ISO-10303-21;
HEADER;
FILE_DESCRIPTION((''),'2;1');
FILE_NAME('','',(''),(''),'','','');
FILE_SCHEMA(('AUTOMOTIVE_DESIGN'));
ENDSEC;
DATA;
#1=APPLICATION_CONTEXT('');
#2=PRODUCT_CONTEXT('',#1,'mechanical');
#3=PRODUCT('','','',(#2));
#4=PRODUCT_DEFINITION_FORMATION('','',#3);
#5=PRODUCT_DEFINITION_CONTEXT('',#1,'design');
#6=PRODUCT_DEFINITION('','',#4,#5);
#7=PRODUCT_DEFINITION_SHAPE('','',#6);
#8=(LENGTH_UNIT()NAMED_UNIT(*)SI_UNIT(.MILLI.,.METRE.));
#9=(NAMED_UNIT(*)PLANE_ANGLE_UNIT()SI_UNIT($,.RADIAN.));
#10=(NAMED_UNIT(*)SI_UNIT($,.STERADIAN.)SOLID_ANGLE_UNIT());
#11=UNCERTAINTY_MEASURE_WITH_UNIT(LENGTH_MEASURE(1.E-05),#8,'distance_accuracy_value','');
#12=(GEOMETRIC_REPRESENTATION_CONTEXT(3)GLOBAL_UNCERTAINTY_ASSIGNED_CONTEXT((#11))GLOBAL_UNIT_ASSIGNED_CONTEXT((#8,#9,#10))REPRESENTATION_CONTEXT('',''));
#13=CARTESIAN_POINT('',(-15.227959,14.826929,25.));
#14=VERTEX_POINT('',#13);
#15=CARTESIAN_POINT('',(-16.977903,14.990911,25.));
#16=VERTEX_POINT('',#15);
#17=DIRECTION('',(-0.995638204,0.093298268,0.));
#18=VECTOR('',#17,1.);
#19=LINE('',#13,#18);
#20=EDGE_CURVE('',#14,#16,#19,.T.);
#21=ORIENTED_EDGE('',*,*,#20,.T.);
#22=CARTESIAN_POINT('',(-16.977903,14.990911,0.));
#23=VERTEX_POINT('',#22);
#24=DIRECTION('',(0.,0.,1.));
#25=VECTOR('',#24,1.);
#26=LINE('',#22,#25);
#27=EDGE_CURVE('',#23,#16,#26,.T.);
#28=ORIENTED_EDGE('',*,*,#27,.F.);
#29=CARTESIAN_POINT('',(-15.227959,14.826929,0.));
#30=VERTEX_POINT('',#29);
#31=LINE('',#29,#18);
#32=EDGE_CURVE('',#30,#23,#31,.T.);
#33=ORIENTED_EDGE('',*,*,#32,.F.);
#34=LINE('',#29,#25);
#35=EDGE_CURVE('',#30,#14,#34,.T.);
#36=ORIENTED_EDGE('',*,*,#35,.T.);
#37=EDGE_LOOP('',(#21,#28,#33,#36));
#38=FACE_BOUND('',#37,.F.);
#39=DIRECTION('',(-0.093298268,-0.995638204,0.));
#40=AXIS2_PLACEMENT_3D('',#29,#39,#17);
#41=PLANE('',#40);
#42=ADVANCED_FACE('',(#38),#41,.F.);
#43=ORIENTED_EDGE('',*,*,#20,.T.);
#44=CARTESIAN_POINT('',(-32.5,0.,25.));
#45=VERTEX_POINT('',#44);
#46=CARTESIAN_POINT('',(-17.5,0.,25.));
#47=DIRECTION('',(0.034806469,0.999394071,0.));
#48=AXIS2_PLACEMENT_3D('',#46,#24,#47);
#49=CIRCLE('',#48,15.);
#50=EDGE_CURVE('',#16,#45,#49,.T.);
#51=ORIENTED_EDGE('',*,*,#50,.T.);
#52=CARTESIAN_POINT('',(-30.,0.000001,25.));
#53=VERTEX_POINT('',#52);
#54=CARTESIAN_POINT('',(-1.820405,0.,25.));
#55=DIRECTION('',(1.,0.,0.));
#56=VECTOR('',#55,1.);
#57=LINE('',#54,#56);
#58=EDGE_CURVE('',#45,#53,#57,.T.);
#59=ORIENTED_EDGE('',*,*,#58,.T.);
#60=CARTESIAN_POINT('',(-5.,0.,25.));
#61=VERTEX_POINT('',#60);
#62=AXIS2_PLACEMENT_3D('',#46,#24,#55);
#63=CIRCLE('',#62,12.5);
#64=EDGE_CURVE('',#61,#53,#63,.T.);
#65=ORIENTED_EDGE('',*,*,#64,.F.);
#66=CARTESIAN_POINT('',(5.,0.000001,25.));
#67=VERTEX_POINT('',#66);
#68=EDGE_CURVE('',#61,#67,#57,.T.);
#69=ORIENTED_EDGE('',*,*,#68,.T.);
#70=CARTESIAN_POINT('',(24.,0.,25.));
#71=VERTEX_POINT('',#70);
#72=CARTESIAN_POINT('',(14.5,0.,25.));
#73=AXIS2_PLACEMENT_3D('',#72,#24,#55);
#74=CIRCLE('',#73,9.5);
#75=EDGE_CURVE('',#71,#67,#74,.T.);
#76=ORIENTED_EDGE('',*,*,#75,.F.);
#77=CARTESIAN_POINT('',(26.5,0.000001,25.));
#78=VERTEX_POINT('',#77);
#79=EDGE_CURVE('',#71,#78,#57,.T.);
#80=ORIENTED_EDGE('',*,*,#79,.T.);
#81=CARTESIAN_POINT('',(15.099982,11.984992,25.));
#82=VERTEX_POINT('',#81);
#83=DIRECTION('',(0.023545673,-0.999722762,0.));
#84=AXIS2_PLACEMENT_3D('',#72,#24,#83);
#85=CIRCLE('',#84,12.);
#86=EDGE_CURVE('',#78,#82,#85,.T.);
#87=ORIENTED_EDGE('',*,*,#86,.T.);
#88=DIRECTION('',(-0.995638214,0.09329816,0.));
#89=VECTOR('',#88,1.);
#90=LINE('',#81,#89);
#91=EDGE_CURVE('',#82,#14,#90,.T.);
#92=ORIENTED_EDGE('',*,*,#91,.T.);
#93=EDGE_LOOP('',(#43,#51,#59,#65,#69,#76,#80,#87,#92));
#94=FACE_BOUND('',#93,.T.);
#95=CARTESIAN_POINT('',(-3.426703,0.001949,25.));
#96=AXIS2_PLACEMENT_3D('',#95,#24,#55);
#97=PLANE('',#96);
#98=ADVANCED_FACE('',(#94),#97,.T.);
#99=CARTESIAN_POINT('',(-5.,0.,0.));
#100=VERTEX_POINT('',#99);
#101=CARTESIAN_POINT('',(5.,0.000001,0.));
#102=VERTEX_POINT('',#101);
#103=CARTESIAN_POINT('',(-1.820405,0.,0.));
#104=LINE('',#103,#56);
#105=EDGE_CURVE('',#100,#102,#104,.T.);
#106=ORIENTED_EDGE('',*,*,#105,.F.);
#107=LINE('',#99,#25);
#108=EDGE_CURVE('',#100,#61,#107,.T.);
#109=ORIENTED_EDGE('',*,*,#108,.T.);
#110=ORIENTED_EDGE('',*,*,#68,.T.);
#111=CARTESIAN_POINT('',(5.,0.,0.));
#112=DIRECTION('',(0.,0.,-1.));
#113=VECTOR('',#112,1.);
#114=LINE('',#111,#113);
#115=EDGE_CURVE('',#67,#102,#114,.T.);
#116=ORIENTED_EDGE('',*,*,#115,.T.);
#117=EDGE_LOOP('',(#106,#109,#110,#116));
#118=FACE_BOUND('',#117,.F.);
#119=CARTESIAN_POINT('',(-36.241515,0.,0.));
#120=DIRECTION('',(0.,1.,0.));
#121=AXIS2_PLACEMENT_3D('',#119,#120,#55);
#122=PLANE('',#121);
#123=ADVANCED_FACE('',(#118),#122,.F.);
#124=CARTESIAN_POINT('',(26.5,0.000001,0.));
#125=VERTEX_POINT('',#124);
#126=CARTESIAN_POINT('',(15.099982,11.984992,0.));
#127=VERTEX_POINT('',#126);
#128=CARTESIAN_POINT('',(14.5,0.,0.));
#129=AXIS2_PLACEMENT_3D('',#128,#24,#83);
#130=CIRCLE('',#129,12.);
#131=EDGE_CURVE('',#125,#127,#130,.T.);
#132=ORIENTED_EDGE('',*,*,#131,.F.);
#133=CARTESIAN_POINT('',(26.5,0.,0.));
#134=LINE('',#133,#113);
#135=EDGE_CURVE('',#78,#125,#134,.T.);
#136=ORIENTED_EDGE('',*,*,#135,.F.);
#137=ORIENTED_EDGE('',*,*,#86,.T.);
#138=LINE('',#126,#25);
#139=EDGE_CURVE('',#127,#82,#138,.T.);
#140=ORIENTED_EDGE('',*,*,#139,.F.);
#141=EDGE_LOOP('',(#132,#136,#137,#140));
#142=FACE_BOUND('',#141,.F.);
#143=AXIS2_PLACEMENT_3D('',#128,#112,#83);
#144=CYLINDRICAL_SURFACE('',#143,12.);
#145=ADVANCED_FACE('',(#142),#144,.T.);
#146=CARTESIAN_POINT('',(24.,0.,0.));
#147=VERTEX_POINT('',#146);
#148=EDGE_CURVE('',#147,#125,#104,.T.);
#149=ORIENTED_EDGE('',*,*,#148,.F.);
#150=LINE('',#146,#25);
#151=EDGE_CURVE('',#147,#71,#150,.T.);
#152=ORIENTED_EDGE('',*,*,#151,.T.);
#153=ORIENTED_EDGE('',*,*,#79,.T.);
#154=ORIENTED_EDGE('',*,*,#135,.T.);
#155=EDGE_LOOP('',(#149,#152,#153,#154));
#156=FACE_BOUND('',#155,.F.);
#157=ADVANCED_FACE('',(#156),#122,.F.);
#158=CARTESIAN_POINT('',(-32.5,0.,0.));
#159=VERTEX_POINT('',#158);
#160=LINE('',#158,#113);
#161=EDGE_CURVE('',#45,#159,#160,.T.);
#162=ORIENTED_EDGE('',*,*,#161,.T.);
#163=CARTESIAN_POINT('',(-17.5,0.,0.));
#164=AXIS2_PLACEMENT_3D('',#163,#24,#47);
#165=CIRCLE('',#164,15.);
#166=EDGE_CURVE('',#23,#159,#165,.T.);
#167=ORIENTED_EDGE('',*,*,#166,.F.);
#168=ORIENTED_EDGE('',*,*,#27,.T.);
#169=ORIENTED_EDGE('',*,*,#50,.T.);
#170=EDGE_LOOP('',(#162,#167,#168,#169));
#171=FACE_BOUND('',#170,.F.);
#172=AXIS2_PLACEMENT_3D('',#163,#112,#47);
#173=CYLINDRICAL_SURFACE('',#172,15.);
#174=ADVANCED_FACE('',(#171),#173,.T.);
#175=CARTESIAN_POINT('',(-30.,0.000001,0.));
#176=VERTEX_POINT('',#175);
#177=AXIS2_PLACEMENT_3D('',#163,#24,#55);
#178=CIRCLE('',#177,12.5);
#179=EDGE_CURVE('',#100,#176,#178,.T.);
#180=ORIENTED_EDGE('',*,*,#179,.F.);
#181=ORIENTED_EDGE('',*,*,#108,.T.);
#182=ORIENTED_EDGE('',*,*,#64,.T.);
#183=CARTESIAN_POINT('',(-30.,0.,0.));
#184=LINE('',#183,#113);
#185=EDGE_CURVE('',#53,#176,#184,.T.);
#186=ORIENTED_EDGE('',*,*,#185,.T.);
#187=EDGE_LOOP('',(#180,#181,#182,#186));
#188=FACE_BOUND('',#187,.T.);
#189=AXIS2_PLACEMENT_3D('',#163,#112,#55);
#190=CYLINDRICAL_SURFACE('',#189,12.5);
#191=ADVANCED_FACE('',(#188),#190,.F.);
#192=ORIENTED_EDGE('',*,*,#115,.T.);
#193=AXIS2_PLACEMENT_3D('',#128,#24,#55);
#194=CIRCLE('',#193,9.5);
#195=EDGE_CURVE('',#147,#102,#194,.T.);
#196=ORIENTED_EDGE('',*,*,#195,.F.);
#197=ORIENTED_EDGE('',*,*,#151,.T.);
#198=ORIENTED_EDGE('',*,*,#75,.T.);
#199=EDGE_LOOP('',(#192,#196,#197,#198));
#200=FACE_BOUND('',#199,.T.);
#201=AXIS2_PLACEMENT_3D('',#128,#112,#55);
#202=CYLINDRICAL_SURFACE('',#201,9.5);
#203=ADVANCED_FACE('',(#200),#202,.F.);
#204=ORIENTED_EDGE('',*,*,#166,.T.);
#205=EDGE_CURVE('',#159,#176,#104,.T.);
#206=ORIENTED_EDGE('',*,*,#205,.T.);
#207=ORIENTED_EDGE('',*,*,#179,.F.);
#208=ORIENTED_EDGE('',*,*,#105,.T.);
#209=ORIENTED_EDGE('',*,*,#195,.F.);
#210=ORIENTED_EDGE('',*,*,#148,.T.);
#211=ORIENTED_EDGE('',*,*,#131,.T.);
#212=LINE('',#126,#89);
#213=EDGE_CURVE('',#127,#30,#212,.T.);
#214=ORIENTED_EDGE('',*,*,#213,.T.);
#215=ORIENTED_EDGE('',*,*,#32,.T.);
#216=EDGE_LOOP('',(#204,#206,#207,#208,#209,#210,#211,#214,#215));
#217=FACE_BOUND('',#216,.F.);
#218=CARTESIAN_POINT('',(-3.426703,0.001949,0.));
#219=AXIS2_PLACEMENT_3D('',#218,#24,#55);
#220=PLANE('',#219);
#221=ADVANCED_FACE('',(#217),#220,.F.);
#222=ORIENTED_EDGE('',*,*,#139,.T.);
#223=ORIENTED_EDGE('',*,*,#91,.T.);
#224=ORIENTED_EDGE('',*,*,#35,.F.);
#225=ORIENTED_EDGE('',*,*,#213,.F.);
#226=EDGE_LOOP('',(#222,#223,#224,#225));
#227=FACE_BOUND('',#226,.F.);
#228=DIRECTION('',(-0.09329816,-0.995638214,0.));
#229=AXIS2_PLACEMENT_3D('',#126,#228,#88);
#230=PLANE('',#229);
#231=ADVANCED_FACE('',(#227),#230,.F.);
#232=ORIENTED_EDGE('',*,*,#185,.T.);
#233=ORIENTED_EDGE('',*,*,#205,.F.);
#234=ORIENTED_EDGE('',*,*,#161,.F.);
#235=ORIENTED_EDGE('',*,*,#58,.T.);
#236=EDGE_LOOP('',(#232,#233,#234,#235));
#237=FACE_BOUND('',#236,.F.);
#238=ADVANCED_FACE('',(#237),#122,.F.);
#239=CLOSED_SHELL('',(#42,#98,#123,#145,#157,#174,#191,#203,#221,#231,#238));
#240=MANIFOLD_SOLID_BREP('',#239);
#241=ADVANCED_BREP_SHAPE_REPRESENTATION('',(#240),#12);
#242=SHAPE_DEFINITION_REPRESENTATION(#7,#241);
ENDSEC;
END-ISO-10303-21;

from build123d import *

# Parameters (mm, degrees)
F0_R     = 12.5
F0_R_2   = 9.5
F1_DEPTH = 25
F2_W     = 68.842221
F2_H     = 15.526487
F3_DEPTH = 25


with BuildPart() as f1:
    # F0 (on Top) → F1 (new body)
    with BuildSketch(Plane.XY):
        with BuildLine():
            Line((15.099982, 11.984992), (-15.227959, 14.826929))
            Line((-15.227959, 14.826929), (-16.977903, 14.990911))
            ThreePointArc((-16.977903, 14.990911), (-32.492809, 0.464415), (-17.906726, -14.994485))
            Line((-17.906726, -14.994485), (-14.372817, -14.670403))
            Line((-14.372817, -14.670403), (14.782548, -11.996673))
            ThreePointArc((14.782548, -11.996673), (26.498949, -0.158824), (15.099982, 11.984992))
        make_face()
        with Locations((-17.5, 0)):
            Circle(F0_R, mode=Mode.SUBTRACT)
        with Locations((14.5, 0)):
            Circle(F0_R_2, mode=Mode.SUBTRACT)
    extrude(amount=F1_DEPTH)

    # F2 (on Top) → F3 (cut)
    with BuildSketch(Plane.XY):
        with Locations((-1.820405, -7.763243)):
            Rectangle(F2_W, F2_H)
    extrude(amount=F3_DEPTH, mode=Mode.SUBTRACT)


solid = f1.part
